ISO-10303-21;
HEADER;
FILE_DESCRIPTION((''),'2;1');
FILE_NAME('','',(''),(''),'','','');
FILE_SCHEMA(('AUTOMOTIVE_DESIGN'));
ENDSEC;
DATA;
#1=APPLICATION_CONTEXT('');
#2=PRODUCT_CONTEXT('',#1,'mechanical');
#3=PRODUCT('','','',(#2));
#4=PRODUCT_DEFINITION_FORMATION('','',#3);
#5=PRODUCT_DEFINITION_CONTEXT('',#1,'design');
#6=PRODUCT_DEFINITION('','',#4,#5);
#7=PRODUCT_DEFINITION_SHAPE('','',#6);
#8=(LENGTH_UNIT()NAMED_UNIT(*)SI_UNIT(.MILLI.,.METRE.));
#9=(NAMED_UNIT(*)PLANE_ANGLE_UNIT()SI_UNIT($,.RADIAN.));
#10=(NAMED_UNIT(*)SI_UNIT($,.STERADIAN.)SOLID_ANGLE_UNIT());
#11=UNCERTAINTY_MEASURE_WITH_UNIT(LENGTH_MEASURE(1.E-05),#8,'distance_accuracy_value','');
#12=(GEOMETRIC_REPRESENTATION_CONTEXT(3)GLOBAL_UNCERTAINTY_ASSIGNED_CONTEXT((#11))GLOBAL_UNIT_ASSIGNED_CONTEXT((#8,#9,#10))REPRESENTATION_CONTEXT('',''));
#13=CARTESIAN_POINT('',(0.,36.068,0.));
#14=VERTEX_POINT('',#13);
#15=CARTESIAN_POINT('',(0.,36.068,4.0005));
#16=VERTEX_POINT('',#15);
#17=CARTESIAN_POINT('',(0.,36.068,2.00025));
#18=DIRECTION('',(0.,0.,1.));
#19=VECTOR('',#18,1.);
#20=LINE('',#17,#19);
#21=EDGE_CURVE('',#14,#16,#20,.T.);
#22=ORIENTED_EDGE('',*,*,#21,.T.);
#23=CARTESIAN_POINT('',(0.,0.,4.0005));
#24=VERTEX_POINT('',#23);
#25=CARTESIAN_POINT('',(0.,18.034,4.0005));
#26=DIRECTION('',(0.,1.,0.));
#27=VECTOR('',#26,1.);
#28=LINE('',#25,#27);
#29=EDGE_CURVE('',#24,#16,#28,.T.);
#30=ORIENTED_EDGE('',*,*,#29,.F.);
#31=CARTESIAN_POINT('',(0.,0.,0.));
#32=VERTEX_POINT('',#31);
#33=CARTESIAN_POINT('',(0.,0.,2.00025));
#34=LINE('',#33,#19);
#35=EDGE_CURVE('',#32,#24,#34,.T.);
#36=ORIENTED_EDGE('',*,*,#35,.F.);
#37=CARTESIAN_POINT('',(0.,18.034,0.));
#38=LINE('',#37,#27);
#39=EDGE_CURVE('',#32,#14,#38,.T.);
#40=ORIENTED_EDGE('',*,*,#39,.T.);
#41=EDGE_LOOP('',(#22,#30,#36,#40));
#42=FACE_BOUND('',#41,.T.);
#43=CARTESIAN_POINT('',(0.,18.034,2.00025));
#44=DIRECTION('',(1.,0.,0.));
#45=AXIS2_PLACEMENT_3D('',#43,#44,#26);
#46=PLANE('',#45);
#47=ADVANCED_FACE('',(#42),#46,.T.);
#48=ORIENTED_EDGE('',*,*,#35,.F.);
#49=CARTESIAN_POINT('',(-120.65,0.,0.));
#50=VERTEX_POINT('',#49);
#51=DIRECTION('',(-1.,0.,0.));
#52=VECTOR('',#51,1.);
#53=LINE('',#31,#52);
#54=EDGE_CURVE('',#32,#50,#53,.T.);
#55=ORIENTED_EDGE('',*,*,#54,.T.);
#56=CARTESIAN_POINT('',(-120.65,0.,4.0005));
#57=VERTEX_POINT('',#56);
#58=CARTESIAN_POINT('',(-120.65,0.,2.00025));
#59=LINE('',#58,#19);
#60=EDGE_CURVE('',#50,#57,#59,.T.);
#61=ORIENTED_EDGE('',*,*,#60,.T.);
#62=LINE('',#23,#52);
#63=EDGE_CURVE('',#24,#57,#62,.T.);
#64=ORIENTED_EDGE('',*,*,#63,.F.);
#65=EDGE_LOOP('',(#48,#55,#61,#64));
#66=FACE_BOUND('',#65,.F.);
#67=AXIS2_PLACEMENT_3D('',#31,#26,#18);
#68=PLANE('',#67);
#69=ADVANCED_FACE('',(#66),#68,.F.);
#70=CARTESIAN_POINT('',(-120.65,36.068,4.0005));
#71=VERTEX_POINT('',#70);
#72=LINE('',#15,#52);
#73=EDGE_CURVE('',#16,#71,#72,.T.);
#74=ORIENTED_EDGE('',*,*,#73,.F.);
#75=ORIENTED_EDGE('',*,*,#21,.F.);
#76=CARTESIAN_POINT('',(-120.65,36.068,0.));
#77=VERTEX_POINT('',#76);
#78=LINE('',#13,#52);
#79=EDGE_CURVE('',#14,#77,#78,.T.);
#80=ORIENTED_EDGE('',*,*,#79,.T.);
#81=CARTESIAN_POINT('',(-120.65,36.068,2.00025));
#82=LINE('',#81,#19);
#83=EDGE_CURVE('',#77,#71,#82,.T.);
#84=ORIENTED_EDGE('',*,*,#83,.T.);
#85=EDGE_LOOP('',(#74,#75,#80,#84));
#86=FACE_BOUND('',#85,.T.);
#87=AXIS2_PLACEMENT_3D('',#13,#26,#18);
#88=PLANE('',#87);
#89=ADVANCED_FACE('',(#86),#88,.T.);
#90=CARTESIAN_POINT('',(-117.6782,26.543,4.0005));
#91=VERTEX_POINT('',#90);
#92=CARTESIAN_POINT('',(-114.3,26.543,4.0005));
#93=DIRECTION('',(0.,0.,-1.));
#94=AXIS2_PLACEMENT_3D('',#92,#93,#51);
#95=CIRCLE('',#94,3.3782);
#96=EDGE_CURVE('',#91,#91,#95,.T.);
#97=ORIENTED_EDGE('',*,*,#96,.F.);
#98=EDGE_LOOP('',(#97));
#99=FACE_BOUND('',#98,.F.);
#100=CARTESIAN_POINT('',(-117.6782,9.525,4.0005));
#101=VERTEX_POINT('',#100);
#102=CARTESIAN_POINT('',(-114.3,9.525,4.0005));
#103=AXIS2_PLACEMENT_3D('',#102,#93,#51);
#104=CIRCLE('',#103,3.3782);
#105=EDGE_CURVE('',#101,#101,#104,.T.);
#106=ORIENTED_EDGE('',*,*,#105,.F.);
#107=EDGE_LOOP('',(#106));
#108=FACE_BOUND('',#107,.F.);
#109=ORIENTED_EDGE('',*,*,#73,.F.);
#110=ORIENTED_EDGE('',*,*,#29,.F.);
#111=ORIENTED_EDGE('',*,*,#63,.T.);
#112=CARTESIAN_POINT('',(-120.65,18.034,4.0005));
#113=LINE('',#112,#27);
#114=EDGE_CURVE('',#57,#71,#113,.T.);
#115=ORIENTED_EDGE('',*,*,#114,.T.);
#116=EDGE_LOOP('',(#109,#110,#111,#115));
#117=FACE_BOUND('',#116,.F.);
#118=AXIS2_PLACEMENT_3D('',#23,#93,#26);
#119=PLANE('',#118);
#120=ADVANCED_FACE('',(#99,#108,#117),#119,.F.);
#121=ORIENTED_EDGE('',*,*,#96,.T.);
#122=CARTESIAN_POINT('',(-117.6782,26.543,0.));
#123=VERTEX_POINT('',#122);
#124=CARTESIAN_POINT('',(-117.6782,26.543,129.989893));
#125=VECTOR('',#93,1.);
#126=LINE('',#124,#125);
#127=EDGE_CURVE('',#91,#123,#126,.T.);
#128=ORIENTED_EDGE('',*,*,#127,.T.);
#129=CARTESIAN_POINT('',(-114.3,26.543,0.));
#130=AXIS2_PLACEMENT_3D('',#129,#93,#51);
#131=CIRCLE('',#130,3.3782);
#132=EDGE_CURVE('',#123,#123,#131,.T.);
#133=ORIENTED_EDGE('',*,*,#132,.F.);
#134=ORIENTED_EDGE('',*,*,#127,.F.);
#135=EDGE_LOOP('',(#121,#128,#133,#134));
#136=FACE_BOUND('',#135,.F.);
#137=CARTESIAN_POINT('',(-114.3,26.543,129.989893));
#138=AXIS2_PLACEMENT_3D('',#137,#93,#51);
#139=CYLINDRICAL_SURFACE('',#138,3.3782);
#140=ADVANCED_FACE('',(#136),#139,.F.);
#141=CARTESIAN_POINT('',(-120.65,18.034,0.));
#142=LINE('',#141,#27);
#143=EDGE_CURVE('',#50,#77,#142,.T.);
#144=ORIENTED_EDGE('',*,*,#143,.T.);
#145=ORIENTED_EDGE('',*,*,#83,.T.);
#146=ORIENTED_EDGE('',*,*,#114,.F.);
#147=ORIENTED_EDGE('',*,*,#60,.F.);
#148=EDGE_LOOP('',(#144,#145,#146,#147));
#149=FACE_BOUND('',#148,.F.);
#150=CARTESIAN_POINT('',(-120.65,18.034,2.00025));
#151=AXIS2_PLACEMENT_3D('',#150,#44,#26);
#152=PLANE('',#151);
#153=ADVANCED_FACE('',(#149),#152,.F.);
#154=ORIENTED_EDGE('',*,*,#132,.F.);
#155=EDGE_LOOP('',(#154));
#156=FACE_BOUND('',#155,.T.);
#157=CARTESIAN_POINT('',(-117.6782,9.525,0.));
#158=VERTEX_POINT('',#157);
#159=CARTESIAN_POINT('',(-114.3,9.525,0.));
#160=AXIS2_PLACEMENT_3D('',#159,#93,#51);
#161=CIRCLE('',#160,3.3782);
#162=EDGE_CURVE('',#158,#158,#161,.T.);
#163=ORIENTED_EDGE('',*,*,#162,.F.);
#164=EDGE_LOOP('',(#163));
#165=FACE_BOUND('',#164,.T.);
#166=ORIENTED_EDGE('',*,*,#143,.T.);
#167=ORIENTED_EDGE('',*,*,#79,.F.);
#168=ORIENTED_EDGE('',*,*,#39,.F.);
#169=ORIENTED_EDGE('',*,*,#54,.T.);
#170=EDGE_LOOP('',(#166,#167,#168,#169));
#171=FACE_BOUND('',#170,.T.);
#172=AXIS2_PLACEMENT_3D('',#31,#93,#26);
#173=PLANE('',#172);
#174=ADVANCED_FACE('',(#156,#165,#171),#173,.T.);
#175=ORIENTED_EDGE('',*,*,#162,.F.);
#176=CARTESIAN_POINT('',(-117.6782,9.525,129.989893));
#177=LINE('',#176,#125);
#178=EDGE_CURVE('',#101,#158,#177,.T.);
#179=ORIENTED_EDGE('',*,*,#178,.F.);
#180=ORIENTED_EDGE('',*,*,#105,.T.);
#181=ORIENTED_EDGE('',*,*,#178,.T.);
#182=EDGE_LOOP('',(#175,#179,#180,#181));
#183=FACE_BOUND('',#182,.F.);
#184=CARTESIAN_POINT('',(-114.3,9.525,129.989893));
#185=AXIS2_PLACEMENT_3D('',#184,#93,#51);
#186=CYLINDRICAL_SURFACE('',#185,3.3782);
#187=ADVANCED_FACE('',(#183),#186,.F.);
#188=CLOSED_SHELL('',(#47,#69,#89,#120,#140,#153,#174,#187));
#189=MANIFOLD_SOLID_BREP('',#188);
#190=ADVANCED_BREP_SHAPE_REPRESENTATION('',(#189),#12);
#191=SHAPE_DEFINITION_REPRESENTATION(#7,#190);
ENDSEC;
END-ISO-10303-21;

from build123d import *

# Parameters (mm, degrees)
F0_W     = 36.068
F0_H     = 4.0005
F1_DEPTH = 120.65
F4_D     = 6.7564


with BuildPart() as f1:
    # F0 (on Right) → F1 (new body)
    with BuildSketch(Plane.YZ):
        with Locations((18.034, 2.00025)):
            Rectangle(F0_W, F0_H)
    extrude(amount=-F1_DEPTH)

    # F4 (through all)
    with Locations(Plane.XY.offset(4.0005)):
        with Locations((-114.3, 26.543), (-114.3, 9.525)):
            Hole(F4_D / 2)


solid = f1.part
